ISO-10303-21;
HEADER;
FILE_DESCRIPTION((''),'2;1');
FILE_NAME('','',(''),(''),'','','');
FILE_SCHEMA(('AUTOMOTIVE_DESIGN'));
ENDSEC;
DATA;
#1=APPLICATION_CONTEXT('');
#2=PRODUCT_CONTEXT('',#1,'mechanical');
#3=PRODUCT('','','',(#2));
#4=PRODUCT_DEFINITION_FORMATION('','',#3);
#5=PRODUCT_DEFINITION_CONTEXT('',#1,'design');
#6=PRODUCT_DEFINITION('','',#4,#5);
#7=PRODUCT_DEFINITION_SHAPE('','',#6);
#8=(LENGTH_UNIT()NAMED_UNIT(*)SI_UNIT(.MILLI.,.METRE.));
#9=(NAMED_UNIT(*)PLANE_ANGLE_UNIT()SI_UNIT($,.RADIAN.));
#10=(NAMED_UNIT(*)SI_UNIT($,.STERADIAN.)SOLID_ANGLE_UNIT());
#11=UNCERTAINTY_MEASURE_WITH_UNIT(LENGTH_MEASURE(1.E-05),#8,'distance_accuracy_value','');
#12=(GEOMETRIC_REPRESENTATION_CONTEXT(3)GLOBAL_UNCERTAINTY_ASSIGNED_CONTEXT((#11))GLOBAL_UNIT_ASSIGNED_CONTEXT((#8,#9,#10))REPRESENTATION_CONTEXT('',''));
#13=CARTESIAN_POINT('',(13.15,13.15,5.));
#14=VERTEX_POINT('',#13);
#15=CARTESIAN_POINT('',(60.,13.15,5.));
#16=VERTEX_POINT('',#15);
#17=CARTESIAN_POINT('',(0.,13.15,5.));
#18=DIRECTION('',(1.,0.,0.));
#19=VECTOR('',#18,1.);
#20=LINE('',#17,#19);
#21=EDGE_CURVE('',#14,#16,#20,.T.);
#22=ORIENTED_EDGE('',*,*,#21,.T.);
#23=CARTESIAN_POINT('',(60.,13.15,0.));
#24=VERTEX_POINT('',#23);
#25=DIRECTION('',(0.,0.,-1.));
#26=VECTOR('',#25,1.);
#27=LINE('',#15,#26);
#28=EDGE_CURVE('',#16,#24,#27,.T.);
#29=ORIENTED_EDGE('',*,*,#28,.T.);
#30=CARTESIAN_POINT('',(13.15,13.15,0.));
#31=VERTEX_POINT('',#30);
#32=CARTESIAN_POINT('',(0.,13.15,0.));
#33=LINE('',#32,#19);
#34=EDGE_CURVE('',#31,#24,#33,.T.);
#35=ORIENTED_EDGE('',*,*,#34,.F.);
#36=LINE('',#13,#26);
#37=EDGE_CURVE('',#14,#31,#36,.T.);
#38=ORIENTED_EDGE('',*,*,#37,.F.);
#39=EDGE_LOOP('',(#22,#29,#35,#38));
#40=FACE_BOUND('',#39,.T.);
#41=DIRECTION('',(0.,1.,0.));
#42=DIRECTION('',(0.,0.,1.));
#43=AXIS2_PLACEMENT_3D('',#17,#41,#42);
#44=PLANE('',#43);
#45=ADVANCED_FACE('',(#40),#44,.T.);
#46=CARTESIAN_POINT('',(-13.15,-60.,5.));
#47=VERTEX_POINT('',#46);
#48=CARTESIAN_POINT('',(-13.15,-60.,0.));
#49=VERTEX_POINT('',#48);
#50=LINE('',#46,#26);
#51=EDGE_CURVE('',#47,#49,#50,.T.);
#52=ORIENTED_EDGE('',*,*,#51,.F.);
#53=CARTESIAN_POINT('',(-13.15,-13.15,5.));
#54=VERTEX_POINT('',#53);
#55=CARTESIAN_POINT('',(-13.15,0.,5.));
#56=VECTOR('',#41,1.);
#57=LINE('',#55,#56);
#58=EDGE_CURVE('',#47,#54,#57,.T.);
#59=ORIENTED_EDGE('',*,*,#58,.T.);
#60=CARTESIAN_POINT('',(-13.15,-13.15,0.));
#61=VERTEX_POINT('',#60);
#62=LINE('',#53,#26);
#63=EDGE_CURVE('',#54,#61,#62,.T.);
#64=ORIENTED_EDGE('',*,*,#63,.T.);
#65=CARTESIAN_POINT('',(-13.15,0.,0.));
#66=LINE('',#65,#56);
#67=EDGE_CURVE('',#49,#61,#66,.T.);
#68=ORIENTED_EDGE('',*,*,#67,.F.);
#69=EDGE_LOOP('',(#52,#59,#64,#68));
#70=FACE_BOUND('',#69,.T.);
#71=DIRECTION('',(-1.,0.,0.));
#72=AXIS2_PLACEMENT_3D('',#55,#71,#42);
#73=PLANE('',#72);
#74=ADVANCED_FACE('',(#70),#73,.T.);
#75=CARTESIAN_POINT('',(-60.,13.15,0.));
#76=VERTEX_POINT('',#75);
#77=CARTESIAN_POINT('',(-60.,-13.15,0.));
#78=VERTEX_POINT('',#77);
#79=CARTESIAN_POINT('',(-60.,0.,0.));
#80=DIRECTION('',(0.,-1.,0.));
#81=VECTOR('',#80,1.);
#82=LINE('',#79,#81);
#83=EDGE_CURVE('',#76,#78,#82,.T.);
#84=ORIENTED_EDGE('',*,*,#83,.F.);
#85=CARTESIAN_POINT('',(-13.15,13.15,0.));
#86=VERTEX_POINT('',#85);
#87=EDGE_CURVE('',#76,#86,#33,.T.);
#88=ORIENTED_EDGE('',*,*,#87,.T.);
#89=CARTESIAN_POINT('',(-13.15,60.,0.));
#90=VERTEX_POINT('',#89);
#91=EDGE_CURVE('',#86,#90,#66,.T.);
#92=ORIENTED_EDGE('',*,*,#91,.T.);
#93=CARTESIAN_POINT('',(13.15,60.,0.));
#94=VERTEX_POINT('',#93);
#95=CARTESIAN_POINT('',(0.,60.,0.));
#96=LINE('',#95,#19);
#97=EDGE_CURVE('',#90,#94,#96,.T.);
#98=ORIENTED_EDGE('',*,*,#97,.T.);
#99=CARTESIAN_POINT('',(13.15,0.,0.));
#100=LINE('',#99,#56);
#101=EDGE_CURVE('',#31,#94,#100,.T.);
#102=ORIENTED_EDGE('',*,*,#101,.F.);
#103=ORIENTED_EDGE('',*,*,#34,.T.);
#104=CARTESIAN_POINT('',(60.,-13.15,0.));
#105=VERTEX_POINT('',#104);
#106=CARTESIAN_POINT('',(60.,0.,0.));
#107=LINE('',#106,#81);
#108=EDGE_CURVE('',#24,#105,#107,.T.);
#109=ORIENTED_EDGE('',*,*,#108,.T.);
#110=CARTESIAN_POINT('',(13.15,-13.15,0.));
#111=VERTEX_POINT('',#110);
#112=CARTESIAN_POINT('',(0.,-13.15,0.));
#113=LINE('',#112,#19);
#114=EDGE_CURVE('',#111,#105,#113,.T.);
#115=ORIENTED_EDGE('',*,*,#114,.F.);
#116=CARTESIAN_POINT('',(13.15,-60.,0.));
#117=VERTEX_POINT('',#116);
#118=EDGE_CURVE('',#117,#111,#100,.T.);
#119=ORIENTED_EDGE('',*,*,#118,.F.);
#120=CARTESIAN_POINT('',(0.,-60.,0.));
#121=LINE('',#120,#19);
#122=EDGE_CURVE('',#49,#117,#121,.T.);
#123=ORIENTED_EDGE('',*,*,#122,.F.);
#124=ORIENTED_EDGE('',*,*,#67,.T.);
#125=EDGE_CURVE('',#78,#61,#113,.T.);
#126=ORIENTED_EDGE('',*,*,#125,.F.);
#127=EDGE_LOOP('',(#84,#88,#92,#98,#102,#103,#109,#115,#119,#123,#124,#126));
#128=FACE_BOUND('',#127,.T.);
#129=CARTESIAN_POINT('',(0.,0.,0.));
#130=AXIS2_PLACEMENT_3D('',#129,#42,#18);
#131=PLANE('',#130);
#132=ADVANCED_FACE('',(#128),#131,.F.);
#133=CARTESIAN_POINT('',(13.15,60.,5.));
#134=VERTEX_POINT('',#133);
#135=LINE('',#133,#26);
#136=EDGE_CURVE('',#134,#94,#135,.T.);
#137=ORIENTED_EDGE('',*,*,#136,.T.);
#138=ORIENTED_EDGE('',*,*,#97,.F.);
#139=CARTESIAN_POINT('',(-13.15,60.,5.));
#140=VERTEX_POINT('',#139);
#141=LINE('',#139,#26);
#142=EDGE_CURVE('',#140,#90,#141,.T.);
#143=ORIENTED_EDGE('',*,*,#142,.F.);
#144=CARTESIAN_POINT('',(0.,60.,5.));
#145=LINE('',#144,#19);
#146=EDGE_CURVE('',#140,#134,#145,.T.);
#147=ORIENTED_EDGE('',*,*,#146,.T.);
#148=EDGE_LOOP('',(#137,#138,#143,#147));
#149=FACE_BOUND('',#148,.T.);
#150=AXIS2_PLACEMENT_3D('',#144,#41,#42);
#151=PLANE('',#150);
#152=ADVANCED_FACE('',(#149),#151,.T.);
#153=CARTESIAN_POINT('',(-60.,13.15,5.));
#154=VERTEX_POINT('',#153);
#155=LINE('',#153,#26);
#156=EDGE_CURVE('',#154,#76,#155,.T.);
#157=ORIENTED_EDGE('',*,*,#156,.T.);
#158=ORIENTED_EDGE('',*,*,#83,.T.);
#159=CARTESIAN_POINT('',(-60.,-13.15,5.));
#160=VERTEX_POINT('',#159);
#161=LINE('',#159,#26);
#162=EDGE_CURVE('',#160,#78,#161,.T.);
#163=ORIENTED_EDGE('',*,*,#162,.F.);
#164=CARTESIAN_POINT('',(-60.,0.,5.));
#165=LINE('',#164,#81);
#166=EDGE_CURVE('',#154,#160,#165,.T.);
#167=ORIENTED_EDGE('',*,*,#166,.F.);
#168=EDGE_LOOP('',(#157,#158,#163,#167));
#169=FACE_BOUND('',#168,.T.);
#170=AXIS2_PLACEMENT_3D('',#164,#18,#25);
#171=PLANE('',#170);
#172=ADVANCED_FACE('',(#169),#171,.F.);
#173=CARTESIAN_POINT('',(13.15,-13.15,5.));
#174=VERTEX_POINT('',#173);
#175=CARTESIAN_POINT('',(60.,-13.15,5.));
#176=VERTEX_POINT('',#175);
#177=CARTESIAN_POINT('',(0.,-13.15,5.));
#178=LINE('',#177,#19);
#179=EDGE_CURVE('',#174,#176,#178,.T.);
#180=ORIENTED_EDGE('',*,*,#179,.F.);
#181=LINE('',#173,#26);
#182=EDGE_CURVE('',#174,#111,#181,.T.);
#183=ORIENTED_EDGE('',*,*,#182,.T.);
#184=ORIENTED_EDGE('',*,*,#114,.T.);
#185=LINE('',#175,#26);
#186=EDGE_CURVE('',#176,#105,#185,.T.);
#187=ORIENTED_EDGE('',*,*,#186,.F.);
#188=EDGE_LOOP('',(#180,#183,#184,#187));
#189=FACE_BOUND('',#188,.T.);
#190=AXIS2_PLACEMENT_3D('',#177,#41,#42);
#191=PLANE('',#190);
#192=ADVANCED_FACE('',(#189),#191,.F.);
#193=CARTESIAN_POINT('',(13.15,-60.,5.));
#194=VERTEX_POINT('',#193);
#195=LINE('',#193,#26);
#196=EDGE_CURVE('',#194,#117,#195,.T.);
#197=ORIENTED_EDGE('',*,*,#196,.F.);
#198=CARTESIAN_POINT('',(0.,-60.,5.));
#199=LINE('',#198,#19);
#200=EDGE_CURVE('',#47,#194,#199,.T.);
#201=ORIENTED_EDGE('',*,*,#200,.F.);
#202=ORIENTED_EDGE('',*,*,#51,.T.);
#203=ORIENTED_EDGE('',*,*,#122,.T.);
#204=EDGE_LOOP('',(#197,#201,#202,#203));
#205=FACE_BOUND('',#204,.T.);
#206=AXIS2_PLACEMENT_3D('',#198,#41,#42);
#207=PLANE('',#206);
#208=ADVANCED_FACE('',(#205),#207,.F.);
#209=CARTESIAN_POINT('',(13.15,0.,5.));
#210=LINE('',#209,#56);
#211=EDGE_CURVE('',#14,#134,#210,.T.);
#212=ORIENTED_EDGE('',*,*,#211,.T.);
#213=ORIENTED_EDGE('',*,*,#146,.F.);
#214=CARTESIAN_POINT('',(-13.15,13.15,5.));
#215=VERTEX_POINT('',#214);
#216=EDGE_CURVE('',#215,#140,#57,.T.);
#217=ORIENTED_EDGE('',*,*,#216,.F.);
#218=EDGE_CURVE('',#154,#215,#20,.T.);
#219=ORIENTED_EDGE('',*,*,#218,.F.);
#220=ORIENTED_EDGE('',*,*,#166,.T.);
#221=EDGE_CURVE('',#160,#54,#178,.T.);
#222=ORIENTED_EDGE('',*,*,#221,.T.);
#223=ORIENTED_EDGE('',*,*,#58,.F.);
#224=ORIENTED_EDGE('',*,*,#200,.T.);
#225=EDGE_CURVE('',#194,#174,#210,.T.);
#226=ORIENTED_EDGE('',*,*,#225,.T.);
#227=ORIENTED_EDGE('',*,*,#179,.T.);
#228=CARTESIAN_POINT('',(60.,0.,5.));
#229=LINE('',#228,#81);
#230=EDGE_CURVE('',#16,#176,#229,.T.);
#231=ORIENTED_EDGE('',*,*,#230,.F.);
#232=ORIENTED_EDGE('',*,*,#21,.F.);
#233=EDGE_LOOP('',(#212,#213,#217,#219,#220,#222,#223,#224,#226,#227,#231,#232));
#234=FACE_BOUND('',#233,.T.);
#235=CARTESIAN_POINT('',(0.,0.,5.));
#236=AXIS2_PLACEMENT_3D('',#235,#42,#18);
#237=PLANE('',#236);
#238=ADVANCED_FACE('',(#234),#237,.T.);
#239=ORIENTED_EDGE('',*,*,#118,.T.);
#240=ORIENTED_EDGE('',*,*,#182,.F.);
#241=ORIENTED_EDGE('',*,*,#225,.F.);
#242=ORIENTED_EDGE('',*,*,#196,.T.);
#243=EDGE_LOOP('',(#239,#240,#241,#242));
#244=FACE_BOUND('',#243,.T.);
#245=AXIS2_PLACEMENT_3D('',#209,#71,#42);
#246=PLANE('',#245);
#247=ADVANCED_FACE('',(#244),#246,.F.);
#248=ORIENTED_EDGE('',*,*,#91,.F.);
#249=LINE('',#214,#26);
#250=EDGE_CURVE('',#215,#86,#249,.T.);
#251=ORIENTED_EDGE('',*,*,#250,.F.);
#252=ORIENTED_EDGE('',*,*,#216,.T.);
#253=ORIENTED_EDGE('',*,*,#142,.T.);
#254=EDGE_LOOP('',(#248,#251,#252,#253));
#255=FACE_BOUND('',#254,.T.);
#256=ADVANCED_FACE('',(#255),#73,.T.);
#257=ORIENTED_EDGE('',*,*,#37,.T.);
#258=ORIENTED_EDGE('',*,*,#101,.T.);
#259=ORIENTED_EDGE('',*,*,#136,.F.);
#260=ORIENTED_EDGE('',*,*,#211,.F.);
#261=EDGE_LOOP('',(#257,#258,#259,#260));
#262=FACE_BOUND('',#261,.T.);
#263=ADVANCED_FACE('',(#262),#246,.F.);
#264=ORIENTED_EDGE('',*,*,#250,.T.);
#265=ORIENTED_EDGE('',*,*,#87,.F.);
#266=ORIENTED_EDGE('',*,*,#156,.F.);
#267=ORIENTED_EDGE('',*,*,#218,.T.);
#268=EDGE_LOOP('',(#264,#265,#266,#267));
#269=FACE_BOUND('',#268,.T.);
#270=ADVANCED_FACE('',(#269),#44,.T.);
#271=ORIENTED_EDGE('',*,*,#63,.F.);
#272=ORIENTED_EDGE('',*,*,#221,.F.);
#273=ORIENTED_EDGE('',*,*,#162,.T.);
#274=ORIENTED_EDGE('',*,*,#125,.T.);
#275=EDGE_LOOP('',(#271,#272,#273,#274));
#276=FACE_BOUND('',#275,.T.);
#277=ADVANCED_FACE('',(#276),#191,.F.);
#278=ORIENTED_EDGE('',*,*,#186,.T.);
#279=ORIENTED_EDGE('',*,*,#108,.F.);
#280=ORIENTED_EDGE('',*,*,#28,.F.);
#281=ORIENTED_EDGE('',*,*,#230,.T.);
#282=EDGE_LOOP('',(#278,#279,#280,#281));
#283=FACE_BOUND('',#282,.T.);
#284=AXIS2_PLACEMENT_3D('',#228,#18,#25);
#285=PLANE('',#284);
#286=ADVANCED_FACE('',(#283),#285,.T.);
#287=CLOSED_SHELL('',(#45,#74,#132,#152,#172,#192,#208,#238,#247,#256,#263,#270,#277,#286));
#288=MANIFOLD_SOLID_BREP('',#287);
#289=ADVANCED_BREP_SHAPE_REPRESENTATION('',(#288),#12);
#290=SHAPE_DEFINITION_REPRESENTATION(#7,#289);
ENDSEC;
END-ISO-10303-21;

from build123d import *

# Parameters (mm, degrees)
SKETCH1_W           = 46.85
SKETCH1_H           = 26.3
SKETCH1_W_2         = 26.3
SKETCH1_H_2         = 46.85
BOSS_EXTRUDE1_DEPTH = 5


with BuildPart() as part:
    # Sketch1 → Boss-Extrude1 (new body)
    with BuildSketch(Plane.XY):
        with Locations((-36.575, 0)):
            Rectangle(SKETCH1_W, SKETCH1_H)
        Rectangle(SKETCH1_W_2, SKETCH1_H)
        with Locations((36.575, 0)):
            Rectangle(SKETCH1_W, SKETCH1_H)
        with Locations((0, -36.575)):
            Rectangle(SKETCH1_W_2, SKETCH1_H_2)
        with Locations((0, 36.575)):
            Rectangle(SKETCH1_W_2, SKETCH1_H_2)
    extrude(amount=BOSS_EXTRUDE1_DEPTH)


solid = part.part
